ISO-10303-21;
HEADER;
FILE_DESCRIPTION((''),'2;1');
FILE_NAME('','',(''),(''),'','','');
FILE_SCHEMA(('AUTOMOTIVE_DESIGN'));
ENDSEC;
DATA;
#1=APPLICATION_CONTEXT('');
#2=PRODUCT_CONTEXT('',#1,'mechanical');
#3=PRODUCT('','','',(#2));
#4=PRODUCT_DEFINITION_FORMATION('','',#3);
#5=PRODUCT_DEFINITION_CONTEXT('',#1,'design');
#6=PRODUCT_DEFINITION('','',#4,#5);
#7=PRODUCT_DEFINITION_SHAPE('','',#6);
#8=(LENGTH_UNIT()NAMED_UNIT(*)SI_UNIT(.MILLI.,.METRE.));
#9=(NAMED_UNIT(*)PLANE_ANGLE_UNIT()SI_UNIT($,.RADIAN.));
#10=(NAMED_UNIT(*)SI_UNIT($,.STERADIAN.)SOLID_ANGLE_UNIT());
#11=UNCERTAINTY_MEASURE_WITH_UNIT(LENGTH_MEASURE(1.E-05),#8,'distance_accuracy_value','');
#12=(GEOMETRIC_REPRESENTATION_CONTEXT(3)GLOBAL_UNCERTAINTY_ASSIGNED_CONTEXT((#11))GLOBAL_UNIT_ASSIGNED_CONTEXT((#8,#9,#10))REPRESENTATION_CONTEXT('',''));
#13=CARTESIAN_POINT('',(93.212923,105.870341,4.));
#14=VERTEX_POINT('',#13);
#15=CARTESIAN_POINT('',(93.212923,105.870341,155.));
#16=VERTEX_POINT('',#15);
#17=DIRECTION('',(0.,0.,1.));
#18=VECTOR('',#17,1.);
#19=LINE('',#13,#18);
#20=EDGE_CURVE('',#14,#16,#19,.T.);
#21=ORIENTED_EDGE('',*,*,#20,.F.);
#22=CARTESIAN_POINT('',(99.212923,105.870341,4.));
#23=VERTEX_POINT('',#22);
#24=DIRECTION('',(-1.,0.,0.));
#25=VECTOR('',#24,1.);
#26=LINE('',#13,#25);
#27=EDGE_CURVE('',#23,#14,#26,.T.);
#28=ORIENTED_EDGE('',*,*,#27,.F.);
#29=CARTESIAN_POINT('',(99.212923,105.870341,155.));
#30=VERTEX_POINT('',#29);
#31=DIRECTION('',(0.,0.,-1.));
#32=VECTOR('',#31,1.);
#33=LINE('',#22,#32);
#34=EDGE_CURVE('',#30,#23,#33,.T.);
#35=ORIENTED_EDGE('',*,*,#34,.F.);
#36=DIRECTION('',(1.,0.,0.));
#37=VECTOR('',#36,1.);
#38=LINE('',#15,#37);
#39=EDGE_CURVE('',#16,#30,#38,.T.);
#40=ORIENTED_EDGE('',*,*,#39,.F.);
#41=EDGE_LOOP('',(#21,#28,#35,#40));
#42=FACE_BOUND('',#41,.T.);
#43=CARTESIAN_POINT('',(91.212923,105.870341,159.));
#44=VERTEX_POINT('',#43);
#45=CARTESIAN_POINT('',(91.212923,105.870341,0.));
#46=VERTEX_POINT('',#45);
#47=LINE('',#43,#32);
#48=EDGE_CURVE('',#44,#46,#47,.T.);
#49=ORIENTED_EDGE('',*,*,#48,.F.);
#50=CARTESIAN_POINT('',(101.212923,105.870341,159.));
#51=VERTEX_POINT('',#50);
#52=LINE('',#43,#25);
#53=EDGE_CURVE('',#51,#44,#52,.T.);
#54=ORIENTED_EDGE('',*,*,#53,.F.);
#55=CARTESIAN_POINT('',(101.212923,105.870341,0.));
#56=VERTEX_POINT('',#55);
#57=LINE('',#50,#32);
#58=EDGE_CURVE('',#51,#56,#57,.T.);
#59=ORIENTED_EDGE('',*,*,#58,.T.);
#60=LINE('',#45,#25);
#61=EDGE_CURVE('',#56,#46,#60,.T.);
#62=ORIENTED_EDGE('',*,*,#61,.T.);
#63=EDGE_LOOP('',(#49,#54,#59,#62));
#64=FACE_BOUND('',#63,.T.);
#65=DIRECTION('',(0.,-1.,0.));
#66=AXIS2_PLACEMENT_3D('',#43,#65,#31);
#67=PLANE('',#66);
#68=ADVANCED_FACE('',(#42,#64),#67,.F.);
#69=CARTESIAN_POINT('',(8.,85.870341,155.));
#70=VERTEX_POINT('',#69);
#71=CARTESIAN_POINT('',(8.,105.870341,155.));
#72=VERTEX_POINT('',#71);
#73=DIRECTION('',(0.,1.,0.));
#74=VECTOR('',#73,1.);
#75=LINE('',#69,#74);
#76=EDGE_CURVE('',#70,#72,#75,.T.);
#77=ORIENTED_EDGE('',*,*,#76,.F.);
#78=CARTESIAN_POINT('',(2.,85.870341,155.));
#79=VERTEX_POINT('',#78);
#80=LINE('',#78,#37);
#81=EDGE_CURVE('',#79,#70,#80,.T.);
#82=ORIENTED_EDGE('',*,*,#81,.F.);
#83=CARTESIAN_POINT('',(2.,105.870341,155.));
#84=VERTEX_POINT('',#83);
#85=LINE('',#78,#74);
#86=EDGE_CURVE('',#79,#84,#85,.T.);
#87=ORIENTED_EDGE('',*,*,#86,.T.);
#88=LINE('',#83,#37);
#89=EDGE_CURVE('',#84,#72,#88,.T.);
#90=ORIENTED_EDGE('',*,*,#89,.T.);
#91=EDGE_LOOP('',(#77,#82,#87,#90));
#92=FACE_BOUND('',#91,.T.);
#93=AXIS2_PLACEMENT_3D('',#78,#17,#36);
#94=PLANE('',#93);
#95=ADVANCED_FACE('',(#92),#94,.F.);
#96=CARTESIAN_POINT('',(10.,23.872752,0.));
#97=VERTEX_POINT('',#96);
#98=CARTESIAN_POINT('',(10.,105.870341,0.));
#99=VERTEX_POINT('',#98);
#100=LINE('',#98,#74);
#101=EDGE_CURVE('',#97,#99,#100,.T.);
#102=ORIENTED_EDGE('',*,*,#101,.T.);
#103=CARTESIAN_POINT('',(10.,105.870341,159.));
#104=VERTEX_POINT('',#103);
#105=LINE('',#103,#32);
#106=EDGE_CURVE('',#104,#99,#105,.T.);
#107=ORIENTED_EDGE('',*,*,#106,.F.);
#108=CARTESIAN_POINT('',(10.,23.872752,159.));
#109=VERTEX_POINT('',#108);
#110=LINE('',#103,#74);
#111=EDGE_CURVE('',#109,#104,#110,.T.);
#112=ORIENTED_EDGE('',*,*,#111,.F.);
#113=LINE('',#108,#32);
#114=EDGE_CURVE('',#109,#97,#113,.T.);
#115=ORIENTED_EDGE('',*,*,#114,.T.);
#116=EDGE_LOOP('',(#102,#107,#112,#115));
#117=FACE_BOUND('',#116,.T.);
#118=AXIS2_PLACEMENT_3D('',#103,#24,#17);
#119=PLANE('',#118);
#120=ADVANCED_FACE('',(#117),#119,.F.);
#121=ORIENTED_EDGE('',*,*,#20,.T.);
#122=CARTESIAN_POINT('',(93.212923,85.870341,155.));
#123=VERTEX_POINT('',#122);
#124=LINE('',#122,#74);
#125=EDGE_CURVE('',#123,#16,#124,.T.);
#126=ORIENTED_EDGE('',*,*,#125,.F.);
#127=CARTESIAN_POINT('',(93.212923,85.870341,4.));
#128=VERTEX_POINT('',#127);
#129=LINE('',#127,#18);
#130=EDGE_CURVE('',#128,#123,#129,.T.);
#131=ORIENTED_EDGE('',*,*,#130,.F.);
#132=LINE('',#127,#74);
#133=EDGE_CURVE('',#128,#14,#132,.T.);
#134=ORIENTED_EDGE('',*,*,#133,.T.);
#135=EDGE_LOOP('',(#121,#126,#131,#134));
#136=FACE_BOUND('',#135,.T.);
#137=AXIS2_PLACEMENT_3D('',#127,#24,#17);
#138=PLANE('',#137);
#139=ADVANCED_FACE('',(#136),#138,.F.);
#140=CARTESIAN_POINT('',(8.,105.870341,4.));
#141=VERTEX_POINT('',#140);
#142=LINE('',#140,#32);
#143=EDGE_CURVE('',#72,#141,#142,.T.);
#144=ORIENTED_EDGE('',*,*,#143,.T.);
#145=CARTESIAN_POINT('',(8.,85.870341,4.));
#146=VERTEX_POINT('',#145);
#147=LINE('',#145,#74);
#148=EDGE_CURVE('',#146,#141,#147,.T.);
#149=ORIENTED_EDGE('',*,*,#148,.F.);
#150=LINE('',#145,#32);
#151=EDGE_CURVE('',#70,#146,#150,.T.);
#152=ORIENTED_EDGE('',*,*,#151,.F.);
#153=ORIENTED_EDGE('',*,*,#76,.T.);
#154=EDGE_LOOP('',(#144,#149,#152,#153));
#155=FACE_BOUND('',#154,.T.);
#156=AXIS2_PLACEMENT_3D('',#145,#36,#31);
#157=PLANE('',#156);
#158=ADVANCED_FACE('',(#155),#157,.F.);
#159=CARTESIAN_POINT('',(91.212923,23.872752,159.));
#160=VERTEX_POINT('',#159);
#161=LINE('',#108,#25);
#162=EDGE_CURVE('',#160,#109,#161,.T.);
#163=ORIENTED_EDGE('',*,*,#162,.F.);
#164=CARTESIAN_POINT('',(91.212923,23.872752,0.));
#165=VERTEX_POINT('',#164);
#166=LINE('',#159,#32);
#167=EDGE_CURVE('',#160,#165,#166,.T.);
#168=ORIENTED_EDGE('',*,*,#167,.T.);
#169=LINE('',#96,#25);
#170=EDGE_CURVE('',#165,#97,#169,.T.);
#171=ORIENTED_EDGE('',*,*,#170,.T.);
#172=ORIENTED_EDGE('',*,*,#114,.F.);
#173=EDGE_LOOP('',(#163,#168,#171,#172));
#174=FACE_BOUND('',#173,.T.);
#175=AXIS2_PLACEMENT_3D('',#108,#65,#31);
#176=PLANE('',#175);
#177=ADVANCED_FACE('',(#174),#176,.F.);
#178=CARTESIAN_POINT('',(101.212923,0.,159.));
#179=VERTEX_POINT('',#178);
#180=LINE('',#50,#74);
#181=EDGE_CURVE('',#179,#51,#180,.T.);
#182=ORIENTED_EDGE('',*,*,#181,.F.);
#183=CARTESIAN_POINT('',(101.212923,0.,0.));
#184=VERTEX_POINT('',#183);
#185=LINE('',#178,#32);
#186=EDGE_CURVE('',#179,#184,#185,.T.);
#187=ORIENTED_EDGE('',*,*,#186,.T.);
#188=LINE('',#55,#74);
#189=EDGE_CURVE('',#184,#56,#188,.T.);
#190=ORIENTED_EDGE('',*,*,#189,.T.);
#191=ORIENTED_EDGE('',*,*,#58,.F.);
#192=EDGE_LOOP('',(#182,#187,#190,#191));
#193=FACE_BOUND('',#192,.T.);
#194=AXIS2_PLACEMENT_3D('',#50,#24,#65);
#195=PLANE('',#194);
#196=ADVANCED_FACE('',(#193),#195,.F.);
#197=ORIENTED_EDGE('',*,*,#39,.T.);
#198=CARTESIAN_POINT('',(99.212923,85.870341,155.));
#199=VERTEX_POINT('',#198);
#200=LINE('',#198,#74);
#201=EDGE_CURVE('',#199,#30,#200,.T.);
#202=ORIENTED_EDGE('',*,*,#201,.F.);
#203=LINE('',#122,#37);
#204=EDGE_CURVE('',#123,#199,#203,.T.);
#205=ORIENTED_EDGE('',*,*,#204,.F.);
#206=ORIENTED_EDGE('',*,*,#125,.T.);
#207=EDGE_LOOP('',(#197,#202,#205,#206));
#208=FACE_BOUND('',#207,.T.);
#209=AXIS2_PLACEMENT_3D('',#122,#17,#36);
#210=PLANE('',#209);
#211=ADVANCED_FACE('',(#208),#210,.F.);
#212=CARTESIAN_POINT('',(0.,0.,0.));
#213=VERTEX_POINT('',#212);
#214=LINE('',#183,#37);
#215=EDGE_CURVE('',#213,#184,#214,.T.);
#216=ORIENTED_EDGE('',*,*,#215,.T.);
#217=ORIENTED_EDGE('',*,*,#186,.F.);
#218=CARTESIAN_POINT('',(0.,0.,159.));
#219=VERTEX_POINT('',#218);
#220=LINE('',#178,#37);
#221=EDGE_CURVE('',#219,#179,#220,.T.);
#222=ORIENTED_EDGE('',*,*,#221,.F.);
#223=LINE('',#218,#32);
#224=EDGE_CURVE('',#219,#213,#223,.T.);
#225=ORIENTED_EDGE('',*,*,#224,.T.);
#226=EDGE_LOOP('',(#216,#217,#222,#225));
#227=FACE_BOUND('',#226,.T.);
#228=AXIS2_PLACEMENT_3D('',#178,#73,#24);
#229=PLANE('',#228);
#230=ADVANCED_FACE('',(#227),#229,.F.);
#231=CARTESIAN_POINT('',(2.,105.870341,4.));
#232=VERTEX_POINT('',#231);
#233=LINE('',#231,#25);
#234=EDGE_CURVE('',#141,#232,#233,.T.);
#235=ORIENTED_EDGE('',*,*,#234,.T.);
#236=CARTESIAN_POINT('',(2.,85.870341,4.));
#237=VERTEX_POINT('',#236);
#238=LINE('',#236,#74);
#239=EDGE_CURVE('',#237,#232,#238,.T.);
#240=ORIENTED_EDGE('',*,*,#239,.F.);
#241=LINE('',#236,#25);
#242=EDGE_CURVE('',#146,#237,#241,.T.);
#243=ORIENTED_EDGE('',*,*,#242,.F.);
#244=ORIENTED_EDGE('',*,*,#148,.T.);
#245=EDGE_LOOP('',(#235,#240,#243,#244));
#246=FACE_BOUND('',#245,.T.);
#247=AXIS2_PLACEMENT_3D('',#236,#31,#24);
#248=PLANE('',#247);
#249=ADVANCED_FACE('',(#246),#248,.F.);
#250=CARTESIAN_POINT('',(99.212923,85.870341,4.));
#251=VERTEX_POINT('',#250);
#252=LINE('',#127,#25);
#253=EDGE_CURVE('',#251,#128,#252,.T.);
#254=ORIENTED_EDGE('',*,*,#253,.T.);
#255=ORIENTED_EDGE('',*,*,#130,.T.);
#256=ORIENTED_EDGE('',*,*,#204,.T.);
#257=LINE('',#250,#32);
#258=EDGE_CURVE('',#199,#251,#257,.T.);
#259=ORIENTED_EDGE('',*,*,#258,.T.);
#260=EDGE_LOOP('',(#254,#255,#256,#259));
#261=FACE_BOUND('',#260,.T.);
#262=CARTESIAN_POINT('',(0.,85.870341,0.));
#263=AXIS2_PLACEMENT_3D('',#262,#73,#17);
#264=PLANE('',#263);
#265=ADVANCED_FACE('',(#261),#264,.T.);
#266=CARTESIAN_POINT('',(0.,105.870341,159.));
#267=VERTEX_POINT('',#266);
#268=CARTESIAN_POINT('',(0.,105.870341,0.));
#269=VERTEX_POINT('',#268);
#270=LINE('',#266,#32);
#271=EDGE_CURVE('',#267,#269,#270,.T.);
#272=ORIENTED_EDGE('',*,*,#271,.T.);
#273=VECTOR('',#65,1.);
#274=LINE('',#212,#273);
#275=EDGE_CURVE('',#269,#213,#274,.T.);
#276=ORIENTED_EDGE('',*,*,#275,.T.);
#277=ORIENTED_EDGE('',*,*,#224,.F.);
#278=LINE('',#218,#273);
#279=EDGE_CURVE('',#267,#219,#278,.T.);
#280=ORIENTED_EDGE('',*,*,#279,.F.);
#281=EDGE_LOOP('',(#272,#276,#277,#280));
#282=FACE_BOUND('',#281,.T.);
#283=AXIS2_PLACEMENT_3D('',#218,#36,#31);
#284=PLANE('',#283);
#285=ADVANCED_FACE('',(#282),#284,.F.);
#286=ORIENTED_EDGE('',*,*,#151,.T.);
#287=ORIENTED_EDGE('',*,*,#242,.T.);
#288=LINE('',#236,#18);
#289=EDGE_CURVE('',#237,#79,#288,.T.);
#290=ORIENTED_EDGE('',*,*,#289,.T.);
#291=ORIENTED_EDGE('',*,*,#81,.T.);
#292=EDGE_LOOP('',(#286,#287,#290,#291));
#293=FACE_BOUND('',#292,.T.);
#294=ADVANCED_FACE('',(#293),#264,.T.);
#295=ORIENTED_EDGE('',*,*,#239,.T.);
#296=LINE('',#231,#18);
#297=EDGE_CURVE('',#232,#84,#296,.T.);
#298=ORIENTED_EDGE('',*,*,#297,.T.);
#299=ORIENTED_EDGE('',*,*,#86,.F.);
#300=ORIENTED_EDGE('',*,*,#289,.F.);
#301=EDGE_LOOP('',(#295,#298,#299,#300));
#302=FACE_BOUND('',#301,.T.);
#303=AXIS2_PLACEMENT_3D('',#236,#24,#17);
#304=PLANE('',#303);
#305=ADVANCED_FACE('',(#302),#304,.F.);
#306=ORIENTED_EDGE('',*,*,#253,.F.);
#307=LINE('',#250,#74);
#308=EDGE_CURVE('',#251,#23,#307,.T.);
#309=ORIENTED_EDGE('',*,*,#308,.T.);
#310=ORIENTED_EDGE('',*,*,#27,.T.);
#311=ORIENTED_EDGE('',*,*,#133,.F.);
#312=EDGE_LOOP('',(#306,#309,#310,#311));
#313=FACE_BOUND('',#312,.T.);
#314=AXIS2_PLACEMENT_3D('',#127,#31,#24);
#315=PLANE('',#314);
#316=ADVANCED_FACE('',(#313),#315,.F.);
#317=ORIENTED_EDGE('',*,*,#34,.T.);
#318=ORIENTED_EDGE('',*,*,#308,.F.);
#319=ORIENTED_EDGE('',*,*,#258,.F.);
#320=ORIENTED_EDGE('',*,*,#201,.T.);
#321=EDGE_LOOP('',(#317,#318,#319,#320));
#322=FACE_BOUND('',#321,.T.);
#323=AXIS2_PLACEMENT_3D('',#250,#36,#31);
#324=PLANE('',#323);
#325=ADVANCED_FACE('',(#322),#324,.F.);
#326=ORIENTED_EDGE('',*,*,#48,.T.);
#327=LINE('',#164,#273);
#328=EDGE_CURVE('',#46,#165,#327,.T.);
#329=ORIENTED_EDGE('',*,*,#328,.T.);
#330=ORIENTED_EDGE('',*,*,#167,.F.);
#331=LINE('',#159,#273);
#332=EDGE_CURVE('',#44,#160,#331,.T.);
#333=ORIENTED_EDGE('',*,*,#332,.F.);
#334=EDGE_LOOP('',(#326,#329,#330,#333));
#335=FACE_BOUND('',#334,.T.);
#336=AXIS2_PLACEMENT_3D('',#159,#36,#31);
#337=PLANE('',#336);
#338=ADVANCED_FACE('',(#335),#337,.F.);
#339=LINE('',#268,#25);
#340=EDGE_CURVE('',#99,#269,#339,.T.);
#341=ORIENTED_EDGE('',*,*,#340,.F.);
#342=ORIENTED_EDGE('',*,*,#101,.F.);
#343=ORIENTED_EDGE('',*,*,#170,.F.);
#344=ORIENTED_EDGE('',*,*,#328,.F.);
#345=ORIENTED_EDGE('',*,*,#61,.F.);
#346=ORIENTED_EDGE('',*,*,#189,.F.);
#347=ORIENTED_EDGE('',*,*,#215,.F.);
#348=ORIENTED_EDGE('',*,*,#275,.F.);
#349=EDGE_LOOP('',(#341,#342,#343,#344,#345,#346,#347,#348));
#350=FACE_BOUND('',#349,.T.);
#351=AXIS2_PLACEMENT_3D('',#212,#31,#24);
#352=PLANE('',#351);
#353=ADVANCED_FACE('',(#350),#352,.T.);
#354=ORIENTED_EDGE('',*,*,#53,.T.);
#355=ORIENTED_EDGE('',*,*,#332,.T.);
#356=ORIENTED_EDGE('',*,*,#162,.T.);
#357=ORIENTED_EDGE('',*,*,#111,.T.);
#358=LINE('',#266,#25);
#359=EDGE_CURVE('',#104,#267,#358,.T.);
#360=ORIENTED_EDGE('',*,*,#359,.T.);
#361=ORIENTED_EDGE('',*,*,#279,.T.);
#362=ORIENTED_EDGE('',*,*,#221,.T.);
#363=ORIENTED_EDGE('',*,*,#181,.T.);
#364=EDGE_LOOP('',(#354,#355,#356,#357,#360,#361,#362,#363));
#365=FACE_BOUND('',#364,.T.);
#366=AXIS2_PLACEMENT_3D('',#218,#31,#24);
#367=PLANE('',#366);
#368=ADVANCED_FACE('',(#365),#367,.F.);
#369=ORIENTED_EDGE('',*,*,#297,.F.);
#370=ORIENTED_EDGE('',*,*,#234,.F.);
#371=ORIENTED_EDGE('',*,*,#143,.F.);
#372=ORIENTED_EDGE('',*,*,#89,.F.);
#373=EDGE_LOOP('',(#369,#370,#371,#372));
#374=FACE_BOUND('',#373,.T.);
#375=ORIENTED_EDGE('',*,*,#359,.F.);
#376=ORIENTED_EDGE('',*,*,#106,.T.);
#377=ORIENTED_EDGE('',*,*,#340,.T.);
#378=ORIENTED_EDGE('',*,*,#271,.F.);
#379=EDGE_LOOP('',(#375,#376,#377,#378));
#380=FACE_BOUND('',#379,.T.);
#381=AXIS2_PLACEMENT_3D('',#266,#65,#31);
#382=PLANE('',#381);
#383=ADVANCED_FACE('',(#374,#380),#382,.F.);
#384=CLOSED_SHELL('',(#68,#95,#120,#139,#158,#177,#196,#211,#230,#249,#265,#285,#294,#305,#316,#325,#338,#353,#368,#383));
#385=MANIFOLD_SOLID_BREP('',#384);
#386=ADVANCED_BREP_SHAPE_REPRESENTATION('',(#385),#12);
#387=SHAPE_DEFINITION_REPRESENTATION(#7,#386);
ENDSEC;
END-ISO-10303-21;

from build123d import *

# Parameters (mm, degrees)
BOSS_EXTRUDE2_DEPTH = 159
SKETCH4_W           = 6
SKETCH4_H           = 151
CUT_EXTRUDE1_DEPTH  = 20


with BuildPart() as part:
    # Sketch3 → Boss-Extrude2 (new body)
    with BuildSketch(Plane.XY):
        Polygon((0, 0), (0, 105.870341046), (10, 105.870341046), (10, 23.872751767), (91.212923353, 23.872751767), (91.212923353, 105.870341046), (101.212923353, 105.870341046), (101.212923353, 0), align=None)
    extrude(amount=BOSS_EXTRUDE2_DEPTH)

    # Sketch4 → Cut-Extrude1 (cut)
    with BuildSketch(Plane(origin=(0, 105.870341046, 0), x_dir=(1, 0, 0), z_dir=(0, 1, 0))):
        with Locations((5, -79.5)):
            Rectangle(SKETCH4_W, SKETCH4_H)
        with Locations((96.212923353, -79.5)):
            Rectangle(SKETCH4_W, SKETCH4_H)
    extrude(amount=-CUT_EXTRUDE1_DEPTH, mode=Mode.SUBTRACT)


solid = part.part
